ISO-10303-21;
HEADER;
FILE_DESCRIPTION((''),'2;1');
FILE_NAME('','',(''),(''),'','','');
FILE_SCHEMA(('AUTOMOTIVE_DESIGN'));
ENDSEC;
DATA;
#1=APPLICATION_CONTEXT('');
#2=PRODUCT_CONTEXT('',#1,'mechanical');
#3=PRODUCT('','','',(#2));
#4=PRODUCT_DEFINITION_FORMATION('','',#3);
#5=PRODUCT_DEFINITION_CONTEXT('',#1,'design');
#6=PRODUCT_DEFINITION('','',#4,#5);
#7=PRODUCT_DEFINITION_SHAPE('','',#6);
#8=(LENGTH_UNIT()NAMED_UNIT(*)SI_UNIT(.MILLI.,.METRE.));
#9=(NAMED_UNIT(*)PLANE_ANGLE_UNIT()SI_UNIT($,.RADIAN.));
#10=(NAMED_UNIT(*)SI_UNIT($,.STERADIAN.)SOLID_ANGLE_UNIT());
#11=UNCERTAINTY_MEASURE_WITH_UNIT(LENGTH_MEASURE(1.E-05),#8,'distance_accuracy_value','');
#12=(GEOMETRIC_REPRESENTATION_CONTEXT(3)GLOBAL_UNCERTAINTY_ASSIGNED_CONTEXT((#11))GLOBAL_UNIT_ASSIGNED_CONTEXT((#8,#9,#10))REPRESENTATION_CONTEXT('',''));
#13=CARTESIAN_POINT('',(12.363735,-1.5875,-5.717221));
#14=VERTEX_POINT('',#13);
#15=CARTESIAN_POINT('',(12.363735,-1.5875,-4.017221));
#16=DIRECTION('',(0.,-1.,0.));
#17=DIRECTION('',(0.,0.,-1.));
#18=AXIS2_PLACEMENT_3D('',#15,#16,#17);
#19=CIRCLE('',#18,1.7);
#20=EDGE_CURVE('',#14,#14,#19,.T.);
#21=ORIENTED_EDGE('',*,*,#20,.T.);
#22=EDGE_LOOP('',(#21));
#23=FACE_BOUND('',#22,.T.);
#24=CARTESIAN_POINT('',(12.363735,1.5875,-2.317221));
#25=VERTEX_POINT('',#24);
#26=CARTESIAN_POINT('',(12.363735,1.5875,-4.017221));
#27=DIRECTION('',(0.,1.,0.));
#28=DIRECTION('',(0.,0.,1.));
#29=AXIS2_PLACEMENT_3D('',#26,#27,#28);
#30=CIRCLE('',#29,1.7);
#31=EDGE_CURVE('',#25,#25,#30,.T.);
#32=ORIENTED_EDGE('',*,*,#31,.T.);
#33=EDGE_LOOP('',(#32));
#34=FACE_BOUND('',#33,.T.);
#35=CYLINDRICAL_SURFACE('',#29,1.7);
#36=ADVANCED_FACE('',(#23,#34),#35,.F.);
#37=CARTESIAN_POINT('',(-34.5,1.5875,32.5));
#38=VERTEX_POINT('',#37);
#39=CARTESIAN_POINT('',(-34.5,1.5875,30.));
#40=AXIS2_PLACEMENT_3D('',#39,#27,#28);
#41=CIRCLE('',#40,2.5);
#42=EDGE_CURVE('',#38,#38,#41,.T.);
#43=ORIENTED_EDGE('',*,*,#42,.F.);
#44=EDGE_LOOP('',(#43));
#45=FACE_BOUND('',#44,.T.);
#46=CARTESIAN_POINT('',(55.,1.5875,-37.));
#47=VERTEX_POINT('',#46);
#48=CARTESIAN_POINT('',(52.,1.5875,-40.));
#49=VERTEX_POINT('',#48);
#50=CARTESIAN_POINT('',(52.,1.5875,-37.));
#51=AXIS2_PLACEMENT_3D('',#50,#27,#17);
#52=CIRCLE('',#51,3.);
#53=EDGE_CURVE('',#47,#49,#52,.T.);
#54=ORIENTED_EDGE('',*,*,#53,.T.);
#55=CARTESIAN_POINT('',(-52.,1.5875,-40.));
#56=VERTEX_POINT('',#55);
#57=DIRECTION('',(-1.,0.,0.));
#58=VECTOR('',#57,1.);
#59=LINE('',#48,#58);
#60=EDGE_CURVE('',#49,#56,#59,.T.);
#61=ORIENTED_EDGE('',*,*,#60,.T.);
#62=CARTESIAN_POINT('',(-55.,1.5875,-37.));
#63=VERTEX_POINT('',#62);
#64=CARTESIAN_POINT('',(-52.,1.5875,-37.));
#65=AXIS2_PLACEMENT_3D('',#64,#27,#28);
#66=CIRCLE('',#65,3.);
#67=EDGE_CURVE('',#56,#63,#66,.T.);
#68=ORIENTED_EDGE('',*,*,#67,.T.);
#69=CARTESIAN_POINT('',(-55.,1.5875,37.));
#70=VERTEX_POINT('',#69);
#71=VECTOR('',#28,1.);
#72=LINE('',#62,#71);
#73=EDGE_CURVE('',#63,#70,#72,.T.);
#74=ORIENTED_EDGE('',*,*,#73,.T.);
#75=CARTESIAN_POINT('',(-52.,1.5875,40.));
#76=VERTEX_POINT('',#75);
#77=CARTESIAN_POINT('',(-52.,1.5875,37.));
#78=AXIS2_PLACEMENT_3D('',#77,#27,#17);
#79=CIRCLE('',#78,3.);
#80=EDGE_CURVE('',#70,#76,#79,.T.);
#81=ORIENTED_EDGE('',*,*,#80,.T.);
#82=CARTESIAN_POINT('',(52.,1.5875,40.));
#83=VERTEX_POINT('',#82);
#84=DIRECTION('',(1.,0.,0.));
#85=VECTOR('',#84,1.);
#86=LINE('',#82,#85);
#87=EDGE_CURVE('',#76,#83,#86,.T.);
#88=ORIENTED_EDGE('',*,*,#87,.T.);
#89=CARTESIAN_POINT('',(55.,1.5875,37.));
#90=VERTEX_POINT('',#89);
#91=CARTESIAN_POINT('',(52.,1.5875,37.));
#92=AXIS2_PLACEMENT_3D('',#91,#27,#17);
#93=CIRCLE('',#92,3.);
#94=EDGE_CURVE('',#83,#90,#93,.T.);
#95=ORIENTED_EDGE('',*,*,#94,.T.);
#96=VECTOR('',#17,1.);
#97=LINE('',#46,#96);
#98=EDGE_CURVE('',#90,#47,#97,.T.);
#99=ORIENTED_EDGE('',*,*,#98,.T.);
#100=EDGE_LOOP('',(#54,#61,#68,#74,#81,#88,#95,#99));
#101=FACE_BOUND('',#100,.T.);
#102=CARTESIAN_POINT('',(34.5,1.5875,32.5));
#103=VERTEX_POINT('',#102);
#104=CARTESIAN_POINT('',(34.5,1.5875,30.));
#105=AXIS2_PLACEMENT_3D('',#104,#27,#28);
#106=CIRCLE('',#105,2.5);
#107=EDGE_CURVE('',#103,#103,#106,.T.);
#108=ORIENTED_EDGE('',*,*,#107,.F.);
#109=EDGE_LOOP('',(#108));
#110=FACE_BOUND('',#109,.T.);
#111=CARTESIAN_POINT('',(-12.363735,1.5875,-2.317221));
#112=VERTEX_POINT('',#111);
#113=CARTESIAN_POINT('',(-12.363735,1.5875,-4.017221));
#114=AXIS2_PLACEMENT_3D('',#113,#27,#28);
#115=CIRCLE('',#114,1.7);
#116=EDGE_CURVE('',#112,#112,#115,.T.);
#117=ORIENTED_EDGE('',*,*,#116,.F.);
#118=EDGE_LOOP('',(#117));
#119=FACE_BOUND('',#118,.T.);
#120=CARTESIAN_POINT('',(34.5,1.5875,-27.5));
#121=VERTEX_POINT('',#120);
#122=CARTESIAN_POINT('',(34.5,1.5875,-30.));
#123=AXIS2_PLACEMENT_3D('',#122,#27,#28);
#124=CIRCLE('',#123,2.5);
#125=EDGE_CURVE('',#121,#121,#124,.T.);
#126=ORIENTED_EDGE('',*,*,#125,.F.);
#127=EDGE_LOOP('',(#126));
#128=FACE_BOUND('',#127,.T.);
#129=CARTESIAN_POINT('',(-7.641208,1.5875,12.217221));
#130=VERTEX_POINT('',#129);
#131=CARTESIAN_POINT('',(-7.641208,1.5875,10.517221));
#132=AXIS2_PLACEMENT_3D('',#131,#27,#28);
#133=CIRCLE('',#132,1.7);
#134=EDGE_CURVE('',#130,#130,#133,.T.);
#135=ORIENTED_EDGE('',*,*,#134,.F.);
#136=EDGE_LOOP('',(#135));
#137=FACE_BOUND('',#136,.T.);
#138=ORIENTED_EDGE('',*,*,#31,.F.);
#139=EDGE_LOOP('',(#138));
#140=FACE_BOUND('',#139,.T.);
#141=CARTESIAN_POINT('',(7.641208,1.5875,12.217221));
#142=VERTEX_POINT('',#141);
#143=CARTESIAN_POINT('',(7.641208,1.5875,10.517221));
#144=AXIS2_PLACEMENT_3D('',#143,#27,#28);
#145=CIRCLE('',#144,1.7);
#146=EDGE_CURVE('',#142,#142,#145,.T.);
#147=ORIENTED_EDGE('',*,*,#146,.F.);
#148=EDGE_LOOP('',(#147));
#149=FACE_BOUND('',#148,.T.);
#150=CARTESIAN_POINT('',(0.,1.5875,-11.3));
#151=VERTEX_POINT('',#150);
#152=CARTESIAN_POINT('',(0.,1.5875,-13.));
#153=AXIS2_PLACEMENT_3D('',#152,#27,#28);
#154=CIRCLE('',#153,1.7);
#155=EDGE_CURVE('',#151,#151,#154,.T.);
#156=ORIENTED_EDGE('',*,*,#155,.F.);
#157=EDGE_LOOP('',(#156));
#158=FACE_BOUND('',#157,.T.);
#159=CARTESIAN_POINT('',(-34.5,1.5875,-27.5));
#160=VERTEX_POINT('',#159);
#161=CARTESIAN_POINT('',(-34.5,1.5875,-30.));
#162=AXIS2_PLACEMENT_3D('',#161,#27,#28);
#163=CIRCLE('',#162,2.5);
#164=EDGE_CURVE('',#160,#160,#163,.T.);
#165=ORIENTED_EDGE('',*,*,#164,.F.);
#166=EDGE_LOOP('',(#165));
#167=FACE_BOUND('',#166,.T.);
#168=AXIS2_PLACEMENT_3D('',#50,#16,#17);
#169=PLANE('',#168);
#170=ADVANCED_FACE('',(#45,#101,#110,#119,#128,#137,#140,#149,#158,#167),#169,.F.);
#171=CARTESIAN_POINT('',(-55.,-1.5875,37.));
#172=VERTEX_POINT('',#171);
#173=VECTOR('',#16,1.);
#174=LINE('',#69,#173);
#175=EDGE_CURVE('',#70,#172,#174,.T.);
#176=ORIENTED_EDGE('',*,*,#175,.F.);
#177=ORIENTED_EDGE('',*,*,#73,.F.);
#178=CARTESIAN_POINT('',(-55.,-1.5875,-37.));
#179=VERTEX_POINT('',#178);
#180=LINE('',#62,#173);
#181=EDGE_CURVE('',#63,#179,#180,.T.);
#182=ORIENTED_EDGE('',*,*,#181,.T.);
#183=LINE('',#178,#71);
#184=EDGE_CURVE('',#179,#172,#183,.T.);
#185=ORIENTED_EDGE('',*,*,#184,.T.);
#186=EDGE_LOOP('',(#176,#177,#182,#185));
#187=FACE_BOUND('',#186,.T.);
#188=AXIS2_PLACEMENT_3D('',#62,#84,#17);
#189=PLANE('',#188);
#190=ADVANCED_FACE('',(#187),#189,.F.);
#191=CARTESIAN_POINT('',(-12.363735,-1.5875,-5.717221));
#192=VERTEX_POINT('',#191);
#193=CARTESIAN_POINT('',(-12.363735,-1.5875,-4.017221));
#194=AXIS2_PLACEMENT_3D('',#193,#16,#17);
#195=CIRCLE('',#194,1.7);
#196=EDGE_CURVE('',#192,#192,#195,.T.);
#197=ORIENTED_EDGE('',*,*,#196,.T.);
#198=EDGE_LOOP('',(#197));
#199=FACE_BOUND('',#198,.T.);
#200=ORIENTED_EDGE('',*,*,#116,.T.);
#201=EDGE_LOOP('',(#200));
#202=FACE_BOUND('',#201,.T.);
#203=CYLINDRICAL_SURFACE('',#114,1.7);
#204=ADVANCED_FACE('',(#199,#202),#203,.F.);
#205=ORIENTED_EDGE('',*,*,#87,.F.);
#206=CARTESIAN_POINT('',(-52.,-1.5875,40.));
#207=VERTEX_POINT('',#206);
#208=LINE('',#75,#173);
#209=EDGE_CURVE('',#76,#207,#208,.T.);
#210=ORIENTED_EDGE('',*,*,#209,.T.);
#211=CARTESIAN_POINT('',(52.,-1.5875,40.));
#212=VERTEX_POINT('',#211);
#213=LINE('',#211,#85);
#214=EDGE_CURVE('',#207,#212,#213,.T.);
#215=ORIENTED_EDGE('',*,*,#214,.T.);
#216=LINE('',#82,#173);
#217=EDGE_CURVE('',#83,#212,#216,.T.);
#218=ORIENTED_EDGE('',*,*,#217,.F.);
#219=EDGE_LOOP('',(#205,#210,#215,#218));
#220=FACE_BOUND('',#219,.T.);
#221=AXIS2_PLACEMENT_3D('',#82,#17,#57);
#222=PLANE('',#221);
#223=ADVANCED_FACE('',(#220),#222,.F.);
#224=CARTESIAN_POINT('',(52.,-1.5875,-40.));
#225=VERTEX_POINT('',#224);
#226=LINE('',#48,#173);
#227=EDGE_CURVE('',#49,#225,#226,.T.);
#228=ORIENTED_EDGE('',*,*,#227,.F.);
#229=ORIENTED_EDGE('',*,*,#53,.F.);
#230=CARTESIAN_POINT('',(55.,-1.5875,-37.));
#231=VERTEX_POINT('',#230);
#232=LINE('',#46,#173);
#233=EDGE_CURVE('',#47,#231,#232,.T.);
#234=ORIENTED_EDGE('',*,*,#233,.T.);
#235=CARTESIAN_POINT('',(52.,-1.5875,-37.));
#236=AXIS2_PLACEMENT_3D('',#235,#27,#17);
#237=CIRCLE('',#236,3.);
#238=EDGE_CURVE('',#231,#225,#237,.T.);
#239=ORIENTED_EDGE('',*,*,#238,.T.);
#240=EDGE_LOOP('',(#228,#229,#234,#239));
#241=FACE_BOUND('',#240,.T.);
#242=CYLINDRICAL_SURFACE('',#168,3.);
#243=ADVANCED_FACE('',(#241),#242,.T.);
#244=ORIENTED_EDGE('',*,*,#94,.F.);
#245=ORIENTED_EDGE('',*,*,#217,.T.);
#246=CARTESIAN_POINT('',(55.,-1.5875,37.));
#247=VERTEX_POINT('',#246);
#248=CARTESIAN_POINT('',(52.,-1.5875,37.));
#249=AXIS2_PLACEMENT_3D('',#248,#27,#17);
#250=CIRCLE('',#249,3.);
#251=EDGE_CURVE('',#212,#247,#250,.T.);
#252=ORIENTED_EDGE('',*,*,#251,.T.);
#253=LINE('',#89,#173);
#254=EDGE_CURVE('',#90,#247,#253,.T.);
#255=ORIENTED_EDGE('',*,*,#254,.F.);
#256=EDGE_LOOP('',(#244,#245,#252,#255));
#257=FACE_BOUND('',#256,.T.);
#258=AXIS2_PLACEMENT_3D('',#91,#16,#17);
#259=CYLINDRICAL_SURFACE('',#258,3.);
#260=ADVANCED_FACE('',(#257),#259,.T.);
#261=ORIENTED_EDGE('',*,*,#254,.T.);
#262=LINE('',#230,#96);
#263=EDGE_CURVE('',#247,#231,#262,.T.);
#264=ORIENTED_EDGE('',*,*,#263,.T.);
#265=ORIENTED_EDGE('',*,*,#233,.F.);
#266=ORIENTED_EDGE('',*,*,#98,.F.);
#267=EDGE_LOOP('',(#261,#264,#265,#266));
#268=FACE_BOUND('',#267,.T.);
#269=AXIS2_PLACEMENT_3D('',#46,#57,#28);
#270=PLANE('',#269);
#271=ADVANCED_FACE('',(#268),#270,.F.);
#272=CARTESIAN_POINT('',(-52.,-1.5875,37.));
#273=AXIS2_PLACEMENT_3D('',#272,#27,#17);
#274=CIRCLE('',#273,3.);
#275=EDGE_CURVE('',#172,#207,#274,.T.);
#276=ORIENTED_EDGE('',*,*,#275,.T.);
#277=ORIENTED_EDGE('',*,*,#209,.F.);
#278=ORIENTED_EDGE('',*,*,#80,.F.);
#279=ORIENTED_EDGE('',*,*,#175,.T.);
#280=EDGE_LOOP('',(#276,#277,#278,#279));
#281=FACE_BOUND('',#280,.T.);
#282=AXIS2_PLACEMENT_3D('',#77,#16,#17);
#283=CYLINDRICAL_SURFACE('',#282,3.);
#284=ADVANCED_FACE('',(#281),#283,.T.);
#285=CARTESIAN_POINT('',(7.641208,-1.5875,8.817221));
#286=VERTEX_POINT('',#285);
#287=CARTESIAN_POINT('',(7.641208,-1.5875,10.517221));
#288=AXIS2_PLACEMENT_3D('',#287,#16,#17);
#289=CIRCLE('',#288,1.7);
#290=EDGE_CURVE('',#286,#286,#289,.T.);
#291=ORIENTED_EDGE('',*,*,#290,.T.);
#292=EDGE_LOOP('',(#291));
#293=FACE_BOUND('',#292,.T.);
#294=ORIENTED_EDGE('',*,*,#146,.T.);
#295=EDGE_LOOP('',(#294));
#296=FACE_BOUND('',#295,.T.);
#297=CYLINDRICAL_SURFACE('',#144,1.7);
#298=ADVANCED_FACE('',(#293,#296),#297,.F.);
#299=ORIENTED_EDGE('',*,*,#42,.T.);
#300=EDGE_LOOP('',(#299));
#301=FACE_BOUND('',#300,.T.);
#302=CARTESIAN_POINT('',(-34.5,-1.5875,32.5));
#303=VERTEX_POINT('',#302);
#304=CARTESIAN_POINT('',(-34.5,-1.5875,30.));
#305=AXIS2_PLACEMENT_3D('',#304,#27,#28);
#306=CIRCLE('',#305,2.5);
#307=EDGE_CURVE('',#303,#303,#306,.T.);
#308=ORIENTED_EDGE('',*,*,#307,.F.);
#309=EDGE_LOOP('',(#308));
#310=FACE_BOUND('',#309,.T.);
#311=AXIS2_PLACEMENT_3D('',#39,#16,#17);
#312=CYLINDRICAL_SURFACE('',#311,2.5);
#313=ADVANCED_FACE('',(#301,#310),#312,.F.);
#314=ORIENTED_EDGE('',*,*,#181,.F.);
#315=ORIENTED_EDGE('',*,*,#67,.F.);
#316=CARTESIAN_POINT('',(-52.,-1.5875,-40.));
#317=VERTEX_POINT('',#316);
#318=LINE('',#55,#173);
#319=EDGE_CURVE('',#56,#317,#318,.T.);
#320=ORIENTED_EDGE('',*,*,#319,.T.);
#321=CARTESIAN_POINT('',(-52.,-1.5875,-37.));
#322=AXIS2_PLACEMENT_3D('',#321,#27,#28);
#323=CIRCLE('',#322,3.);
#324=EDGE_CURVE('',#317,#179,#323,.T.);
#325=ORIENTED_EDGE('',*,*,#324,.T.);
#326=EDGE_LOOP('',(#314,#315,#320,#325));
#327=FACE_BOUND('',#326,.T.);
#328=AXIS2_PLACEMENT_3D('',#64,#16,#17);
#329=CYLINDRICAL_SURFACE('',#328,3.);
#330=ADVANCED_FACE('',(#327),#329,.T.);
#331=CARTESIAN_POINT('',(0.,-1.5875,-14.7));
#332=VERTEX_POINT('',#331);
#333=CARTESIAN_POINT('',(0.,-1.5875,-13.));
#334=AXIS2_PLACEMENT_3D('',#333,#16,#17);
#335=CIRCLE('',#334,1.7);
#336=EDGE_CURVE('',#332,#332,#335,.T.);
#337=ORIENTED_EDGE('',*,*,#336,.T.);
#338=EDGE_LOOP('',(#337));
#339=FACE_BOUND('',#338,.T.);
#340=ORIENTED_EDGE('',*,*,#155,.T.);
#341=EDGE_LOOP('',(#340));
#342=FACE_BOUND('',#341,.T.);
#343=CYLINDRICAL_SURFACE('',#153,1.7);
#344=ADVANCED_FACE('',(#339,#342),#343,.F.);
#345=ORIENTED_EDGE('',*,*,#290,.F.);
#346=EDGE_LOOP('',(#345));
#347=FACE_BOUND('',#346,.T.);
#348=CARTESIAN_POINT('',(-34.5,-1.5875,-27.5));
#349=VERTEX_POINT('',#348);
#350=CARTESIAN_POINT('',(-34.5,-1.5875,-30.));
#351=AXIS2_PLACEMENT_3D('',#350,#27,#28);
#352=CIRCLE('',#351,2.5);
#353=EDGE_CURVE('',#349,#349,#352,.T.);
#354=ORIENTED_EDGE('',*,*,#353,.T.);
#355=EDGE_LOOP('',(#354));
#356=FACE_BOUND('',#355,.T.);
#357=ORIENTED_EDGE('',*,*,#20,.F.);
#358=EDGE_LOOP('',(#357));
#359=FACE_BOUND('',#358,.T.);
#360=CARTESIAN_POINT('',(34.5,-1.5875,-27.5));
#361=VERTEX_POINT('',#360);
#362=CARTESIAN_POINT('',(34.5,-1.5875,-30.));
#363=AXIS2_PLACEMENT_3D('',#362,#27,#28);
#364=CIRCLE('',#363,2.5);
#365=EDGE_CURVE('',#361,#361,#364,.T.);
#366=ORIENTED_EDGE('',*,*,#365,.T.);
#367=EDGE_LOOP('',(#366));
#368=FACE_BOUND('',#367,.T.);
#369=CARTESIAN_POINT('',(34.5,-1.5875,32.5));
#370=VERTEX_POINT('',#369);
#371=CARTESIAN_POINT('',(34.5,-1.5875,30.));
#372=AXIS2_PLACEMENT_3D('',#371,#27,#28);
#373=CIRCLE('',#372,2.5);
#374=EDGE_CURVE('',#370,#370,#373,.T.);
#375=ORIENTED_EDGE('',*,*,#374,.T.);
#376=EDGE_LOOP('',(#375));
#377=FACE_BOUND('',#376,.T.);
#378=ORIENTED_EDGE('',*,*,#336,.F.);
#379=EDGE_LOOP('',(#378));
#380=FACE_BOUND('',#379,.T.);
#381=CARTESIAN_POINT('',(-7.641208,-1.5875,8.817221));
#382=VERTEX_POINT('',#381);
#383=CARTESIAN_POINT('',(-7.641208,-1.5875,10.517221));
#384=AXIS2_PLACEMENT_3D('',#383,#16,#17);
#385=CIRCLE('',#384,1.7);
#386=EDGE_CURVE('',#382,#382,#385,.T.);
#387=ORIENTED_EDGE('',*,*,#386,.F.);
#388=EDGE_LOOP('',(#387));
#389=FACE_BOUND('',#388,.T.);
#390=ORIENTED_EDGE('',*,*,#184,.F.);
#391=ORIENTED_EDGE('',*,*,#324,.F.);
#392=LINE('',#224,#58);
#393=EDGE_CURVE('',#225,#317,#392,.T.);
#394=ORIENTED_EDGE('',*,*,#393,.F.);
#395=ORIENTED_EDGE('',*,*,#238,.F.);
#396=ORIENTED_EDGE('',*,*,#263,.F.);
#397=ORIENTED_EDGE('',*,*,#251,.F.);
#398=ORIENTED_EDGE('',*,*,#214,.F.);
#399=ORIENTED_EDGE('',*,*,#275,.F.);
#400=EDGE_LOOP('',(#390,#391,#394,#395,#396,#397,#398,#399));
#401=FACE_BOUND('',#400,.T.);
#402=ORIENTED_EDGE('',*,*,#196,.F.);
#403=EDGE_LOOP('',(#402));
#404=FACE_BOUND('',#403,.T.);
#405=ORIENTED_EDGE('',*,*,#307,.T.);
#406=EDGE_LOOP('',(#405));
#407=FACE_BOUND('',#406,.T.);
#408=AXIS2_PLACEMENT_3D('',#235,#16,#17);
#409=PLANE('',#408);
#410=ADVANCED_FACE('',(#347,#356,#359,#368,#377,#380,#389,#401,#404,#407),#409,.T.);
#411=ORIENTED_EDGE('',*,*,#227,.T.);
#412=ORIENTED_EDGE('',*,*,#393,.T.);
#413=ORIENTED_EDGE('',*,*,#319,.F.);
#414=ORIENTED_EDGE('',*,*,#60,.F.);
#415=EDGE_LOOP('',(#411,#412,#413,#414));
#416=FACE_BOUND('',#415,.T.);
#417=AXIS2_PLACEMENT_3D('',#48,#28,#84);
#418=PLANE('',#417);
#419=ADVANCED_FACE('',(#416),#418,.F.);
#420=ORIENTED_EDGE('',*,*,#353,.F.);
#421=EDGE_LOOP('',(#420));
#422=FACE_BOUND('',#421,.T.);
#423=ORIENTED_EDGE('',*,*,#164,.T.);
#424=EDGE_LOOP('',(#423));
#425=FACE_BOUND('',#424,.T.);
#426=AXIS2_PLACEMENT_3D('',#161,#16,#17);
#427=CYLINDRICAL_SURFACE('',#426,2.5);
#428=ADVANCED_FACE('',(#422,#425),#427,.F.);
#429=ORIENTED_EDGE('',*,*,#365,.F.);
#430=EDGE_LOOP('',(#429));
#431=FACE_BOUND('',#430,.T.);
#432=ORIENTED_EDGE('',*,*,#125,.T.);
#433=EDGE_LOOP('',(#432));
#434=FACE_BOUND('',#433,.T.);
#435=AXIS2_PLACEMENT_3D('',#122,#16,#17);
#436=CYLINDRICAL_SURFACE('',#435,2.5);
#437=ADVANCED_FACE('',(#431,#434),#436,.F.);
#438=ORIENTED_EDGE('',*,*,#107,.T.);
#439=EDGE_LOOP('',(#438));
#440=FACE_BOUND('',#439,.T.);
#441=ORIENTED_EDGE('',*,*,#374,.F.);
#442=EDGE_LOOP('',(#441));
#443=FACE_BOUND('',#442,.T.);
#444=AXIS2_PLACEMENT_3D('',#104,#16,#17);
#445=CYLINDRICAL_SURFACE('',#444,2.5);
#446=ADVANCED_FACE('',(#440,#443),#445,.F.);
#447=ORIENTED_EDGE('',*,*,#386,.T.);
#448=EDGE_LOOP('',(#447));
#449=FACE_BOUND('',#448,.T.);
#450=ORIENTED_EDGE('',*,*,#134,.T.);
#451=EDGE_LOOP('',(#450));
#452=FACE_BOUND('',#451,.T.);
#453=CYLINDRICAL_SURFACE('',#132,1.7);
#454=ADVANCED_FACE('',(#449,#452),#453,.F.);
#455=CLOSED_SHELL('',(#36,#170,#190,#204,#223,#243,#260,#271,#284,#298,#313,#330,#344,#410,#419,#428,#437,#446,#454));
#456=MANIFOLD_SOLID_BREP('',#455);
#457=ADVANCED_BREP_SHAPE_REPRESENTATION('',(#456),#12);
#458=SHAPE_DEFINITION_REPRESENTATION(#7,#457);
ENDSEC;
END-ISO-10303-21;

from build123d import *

# Parameters (mm, degrees)
CROQUIS1_R                       = 2.5
SALIENTE_EXTRUIR1_DEPTH          = 1.5875
TALADRO_DE_MARGEN_PARA_M31_D     = 3.4
TALADRO_DE_MARGEN_PARA_M31_DEPTH = 10
TALADRO_DE_MARGEN_PARA_M31_TIP   = 1.021463052


with BuildPart() as part:
    # Croquis1 → Saliente-Extruir1 (new, symmetric)
    with BuildSketch(Plane(origin=(0, 0, 0), x_dir=(1, 0, 0), z_dir=(0, 1, 0))):
        with BuildLine():
            Line((52, 40), (-52, 40))
            ThreePointArc((-52, 40), (-54.121320344, 39.121320344), (-55, 37))
            Line((-55, 37), (-55, -37))
            ThreePointArc((-55, -37), (-54.121320344, -39.121320344), (-52, -40))
            Line((-52, -40), (52, -40))
            ThreePointArc((52, -40), (54.121320344, -39.121320344), (55, -37))
            Line((55, -37), (55, 37))
            ThreePointArc((55, 37), (54.121320344, 39.121320344), (52, 40))
        make_face()
        with Locations(Location((34.5, 30, 0), (0, 0, 270))):
            Circle(CROQUIS1_R, mode=Mode.SUBTRACT)
        with Locations(Location((34.5, -30, 0), (0, 0, 270))):
            Circle(CROQUIS1_R, mode=Mode.SUBTRACT)
        with Locations(Location((-34.5, -30, 0), (0, 0, 270))):
            Circle(CROQUIS1_R, mode=Mode.SUBTRACT)
        with Locations(Location((-34.5, 30, 0), (0, 0, 270))):
            Circle(CROQUIS1_R, mode=Mode.SUBTRACT)
    extrude(amount=SALIENTE_EXTRUIR1_DEPTH, both=True)

    # Taladro de margen para M31
    with Locations(Plane(origin=(0, 1.5875, 0), x_dir=(1, 0, 0), z_dir=(0, 1, 0))):
        with Locations((0, 13), (12.363734712, 4.017220927), (7.64120828, -10.517220927), (-7.64120828, -10.517220927), (-12.363734712, 4.017220927)):
            Hole(TALADRO_DE_MARGEN_PARA_M31_D / 2, depth=TALADRO_DE_MARGEN_PARA_M31_DEPTH)
            with Locations((0, 0, -(TALADRO_DE_MARGEN_PARA_M31_DEPTH + TALADRO_DE_MARGEN_PARA_M31_TIP / 2))):  # 118° drill point
                Cone(0, TALADRO_DE_MARGEN_PARA_M31_D / 2, TALADRO_DE_MARGEN_PARA_M31_TIP, mode=Mode.SUBTRACT)


solid = part.part
